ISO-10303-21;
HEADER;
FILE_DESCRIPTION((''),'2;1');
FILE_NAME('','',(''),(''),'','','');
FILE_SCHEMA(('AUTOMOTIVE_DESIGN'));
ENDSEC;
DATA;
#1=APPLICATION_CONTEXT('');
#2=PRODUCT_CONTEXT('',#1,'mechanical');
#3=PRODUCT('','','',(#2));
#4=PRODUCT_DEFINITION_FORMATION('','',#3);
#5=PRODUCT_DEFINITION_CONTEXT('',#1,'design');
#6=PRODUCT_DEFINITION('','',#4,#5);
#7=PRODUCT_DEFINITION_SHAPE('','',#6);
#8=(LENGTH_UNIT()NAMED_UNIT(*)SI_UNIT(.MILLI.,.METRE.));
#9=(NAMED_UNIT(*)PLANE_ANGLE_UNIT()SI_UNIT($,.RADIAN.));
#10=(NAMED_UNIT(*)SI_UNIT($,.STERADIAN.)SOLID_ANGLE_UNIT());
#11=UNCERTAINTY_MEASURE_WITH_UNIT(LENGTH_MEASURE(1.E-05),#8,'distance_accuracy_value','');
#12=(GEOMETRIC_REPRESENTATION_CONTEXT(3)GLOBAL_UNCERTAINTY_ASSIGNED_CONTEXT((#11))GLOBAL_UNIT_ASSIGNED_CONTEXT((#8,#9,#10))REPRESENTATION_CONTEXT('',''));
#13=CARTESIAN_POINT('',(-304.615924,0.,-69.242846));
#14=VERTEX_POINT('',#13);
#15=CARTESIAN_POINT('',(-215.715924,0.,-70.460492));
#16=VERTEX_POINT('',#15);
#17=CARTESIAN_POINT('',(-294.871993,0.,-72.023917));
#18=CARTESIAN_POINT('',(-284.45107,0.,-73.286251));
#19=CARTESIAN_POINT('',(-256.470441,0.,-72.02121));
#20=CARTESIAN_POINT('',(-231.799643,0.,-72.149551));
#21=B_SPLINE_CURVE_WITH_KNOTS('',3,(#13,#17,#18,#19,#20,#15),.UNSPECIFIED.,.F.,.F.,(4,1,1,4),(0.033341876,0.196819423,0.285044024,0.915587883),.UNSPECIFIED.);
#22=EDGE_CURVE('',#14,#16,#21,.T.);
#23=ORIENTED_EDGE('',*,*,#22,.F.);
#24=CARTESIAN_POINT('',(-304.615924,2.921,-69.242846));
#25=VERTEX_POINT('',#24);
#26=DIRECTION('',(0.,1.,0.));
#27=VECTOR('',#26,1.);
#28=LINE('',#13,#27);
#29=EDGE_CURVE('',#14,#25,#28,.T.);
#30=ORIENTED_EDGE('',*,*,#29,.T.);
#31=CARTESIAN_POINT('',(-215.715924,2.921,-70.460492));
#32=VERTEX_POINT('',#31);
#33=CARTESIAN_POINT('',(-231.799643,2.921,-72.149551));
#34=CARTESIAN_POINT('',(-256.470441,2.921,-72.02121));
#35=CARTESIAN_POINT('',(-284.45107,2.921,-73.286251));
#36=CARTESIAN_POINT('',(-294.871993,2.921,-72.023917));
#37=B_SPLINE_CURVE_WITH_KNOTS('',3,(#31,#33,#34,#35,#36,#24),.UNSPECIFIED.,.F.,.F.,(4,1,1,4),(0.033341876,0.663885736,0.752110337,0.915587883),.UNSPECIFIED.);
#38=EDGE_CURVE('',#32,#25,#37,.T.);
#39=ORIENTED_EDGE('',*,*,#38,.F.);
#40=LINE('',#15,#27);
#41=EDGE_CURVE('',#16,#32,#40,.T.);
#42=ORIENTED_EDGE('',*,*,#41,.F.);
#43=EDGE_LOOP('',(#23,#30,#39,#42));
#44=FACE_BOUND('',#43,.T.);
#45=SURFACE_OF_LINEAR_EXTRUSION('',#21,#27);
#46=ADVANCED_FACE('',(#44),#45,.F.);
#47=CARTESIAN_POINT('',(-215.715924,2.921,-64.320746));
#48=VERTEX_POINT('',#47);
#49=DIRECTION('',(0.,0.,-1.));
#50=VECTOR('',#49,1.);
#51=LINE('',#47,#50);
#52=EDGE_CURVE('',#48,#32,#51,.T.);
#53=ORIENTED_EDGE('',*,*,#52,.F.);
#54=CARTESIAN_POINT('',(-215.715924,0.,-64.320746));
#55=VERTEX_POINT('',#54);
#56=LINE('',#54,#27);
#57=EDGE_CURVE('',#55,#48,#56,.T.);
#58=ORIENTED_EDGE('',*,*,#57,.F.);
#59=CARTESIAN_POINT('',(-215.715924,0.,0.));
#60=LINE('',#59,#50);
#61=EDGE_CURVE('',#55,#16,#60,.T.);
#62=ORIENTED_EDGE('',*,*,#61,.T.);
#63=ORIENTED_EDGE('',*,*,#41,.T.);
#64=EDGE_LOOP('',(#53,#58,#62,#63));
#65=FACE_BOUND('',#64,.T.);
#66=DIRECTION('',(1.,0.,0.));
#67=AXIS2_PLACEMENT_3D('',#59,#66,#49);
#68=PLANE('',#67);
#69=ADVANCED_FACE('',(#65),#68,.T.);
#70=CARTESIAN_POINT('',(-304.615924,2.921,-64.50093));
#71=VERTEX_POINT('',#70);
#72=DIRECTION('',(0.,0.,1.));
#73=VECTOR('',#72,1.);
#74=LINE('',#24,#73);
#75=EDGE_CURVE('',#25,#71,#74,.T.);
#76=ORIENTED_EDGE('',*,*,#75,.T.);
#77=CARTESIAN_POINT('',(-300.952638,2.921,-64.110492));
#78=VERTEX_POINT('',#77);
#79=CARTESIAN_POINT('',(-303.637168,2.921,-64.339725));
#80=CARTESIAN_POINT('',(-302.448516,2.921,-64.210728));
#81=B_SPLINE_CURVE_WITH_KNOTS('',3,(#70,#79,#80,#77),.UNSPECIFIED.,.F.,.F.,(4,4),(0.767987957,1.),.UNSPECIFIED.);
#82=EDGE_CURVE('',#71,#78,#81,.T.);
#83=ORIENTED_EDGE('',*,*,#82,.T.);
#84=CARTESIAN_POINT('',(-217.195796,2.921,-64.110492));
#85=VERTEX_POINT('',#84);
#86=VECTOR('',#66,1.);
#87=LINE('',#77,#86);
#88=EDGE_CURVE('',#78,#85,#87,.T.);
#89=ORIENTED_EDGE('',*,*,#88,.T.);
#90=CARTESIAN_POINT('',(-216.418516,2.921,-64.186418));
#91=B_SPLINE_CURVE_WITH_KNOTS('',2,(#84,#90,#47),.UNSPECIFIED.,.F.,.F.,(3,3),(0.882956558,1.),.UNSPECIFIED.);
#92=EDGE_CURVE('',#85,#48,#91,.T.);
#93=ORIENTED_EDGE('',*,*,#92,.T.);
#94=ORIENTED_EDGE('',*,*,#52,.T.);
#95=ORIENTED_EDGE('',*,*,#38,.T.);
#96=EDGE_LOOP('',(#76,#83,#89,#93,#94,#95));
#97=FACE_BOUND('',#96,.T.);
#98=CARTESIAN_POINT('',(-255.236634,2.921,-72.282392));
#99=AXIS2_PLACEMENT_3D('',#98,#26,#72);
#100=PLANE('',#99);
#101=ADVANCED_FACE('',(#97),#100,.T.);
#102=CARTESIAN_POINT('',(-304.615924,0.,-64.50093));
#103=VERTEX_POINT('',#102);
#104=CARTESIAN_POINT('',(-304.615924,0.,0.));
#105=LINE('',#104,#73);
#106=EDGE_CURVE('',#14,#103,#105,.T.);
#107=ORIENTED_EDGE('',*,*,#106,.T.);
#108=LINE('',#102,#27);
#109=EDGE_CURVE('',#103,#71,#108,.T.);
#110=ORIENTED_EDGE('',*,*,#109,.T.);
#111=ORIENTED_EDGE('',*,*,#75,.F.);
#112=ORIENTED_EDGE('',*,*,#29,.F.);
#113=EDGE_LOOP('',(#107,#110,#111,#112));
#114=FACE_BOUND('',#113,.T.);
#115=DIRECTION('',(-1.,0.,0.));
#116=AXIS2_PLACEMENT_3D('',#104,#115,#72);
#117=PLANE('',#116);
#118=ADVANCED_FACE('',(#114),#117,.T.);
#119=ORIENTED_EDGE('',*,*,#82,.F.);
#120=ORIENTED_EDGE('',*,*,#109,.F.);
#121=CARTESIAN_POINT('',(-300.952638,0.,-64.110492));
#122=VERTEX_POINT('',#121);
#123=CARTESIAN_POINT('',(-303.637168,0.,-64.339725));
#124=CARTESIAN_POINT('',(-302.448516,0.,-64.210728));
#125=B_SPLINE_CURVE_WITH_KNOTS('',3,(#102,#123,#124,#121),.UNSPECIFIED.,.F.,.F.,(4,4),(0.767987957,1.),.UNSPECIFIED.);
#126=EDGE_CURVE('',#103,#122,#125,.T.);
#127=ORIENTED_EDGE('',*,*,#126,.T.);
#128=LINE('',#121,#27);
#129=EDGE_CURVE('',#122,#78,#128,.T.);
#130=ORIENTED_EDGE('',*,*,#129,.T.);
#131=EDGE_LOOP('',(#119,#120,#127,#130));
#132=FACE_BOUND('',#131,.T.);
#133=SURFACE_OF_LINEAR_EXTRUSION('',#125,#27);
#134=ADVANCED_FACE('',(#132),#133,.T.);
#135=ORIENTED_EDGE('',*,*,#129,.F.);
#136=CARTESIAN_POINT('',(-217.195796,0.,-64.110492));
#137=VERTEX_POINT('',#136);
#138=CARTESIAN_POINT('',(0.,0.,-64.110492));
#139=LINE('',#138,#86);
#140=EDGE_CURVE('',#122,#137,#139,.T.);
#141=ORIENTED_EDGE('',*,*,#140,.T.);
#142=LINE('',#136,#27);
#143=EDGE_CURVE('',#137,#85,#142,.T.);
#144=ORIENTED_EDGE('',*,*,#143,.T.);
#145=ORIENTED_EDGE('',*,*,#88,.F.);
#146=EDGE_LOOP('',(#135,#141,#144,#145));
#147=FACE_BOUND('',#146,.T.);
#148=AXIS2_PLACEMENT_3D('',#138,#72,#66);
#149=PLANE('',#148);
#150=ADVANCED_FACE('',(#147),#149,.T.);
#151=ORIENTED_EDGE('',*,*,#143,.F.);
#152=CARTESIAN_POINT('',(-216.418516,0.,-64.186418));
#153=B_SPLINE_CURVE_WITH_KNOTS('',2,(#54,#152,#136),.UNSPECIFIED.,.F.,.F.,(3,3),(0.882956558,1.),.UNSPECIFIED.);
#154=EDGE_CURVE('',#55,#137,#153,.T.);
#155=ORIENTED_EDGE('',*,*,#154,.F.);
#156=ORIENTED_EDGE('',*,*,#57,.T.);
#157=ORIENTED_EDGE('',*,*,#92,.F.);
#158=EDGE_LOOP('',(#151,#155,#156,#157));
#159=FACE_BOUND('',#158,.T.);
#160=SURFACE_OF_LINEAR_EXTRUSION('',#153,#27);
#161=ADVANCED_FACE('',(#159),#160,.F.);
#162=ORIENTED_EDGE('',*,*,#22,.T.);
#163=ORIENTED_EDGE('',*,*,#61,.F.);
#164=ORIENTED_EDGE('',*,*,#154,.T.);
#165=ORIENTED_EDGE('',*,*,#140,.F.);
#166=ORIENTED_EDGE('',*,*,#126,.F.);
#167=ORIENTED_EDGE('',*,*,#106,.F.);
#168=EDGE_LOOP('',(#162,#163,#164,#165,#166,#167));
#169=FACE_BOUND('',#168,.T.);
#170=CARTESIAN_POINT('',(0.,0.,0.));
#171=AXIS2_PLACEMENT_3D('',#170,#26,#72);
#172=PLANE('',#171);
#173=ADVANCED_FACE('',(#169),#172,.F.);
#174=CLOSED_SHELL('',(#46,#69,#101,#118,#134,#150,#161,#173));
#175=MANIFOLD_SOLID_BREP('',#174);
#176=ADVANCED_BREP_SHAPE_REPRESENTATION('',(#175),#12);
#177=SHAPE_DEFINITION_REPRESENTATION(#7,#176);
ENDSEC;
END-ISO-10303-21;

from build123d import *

# Parameters (mm, degrees)
SKETCH1_W           = 304.8
SKETCH1_H           = 76.2
BOSS_EXTRUDE1_DEPTH = 3.175
CUT_EXTRUDE3_DEPTH  = 0.254
CUT_EXTRUDE5_DEPTH  = 0.254
SKETCH2_3_OUTSIDE_W = 369.64
SKETCH2_3_OUTSIDE_H = 141.04
CUT_EXTRUDE7_DEPTH  = 315.196691105


with BuildPart() as part:
    # Sketch1 → Boss-Extrude1 (new body)
    with BuildSketch(Plane(origin=(0, 0, 0), x_dir=(1, 0, 0), z_dir=(0, 1, 0))):
        with Locations((-152.4, 38.1)):
            Rectangle(SKETCH1_W, SKETCH1_H)
    extrude(amount=BOSS_EXTRUDE1_DEPTH)

    # Sketch2 → Cut-Extrude3 (cut)
    with BuildSketch(Plane(origin=(0, 3.175, 0), x_dir=(1, 0, 0), z_dir=(0, 1, 0))):
        with BuildLine():
            Line((-304.8, 5.132354223), (-304.8, 0.390438323))
            add(Edge.make_bspline(
                [(-304.8, 0.390438323), (-303.821243343, 0.22923291), (-302.632591032, 0.100235841), (-301.136713645, 0)],
                knots=[0.767987957, 0.767987957, 0.767987957, 0.767987957, 1, 1, 1, 1], degree=3))
            Line((-301.136713645, 0), (-217.379871236, 0))
            add(Edge.make_bspline(
                [(-215.9, 0.210253502), (-216.602591478, 0.075926224), (-217.379871236, 0)],
                knots=[0.882956558, 0.882956558, 0.882956558, 1, 1, 1], degree=2))
            Line((-215.9, 0.210253502), (-215.9, 6.35))
            add(Edge.make_bspline(
                [(-304.8, 5.132354223), (-295.056068779, 7.913424716), (-284.63514545, 9.175759011), (-256.65451685, 7.910717471), (-231.983718042, 8.039058457), (-215.9, 6.35)],
                knots=[0.033341876, 0.033341876, 0.033341876, 0.033341876, 0.196819423, 0.285044024, 0.915587883, 0.915587883, 0.915587883, 0.915587883], degree=3))
        make_face()
        with BuildLine():
            Line((-304.748193138, 14.319973849), (-304.748193138, 9.578057948))
            add(Edge.make_bspline(
                [(-304.748193138, 9.578057948), (-303.76943648, 9.416852535), (-302.58078417, 9.287855466), (-301.084906782, 9.187619625)],
                knots=[0.767987957, 0.767987957, 0.767987957, 0.767987957, 1, 1, 1, 1], degree=3))
            Line((-301.084906782, 9.187619625), (-217.328064374, 9.187619625))
            add(Edge.make_bspline(
                [(-215.848193138, 9.397873128), (-216.550784616, 9.263545849), (-217.328064374, 9.187619625)],
                knots=[0.882956558, 0.882956558, 0.882956558, 1, 1, 1], degree=2))
            Line((-215.848193138, 9.397873128), (-215.848193138, 15.537619625))
            add(Edge.make_bspline(
                [(-304.748193138, 14.319973849), (-295.004261916, 17.101044341), (-284.583338588, 18.363378636), (-256.602709988, 17.098337097), (-231.93191118, 17.226678082), (-215.848193138, 15.537619625)],
                knots=[0.033341876, 0.033341876, 0.033341876, 0.033341876, 0.196819423, 0.285044024, 0.915587883, 0.915587883, 0.915587883, 0.915587883], degree=3))
        make_face()
        with BuildLine():
            Line((-304.77561062, 23.435546339), (-304.77561062, 18.693630439))
            add(Edge.make_bspline(
                [(-304.77561062, 18.693630439), (-303.796853962, 18.532425025), (-302.608201652, 18.403427957), (-301.112324264, 18.303192116)],
                knots=[0.767987957, 0.767987957, 0.767987957, 0.767987957, 1, 1, 1, 1], degree=3))
            Line((-301.112324264, 18.303192116), (-217.355481855, 18.303192116))
            add(Edge.make_bspline(
                [(-215.87561062, 18.513445618), (-216.578202097, 18.37911834), (-217.355481855, 18.303192116)],
                knots=[0.882956558, 0.882956558, 0.882956558, 1, 1, 1], degree=2))
            Line((-215.87561062, 18.513445618), (-215.87561062, 24.653192116))
            add(Edge.make_bspline(
                [(-304.77561062, 23.435546339), (-295.031679398, 26.216616832), (-284.61075607, 27.478951126), (-256.63012747, 26.213909587), (-231.959328661, 26.342250572), (-215.87561062, 24.653192116)],
                knots=[0.033341876, 0.033341876, 0.033341876, 0.033341876, 0.196819423, 0.285044024, 0.915587883, 0.915587883, 0.915587883, 0.915587883], degree=3))
        make_face()
        with BuildLine():
            Line((-304.723803757, 32.623165964), (-304.723803757, 27.881250064))
            add(Edge.make_bspline(
                [(-304.723803757, 27.881250064), (-303.7450471, 27.720044651), (-302.55639479, 27.591047582), (-301.060517402, 27.490811741)],
                knots=[0.767987957, 0.767987957, 0.767987957, 0.767987957, 1, 1, 1, 1], degree=3))
            Line((-301.060517402, 27.490811741), (-217.303674993, 27.490811741))
            add(Edge.make_bspline(
                [(-215.823803757, 27.701065244), (-216.526395235, 27.566737965), (-217.303674993, 27.490811741)],
                knots=[0.882956558, 0.882956558, 0.882956558, 1, 1, 1], degree=2))
            Line((-215.823803757, 27.701065244), (-215.823803757, 33.840811741))
            add(Edge.make_bspline(
                [(-304.723803757, 32.623165964), (-294.979872536, 35.404236457), (-284.558949208, 36.666570752), (-256.578320608, 35.401529213), (-231.907521799, 35.529870198), (-215.823803757, 33.840811741)],
                knots=[0.033341876, 0.033341876, 0.033341876, 0.033341876, 0.196819423, 0.285044024, 0.915587883, 0.915587883, 0.915587883, 0.915587883], degree=3))
        make_face()
        with BuildLine():
            Line((-304.692120731, 41.752034592), (-304.692120731, 37.010118692))
            add(Edge.make_bspline(
                [(-304.692120731, 37.010118692), (-303.713364073, 36.848913278), (-302.524711763, 36.71991621), (-301.028834375, 36.619680369)],
                knots=[0.767987957, 0.767987957, 0.767987957, 0.767987957, 1, 1, 1, 1], degree=3))
            Line((-301.028834375, 36.619680369), (-217.271991966, 36.619680369))
            add(Edge.make_bspline(
                [(-215.792120731, 36.829933871), (-216.494712209, 36.695606593), (-217.271991966, 36.619680369)],
                knots=[0.882956558, 0.882956558, 0.882956558, 1, 1, 1], degree=2))
            Line((-215.792120731, 36.829933871), (-215.792120731, 42.969680369))
            add(Edge.make_bspline(
                [(-304.692120731, 41.752034592), (-294.948189509, 44.533105085), (-284.527266181, 45.795439379), (-256.546637581, 44.53039784), (-231.875838773, 44.658738825), (-215.792120731, 42.969680369)],
                knots=[0.033341876, 0.033341876, 0.033341876, 0.033341876, 0.196819423, 0.285044024, 0.915587883, 0.915587883, 0.915587883, 0.915587883], degree=3))
        make_face()
        with BuildLine():
            Line((-304.640313869, 50.939654217), (-304.640313869, 46.197738317))
            add(Edge.make_bspline(
                [(-304.640313869, 46.197738317), (-303.661557211, 46.036532904), (-302.472904901, 45.907535835), (-300.977027513, 45.807299994)],
                knots=[0.767987957, 0.767987957, 0.767987957, 0.767987957, 1, 1, 1, 1], degree=3))
            Line((-300.977027513, 45.807299994), (-217.220185104, 45.807299994))
            add(Edge.make_bspline(
                [(-215.740313869, 46.017553497), (-216.442905346, 45.883226218), (-217.220185104, 45.807299994)],
                knots=[0.882956558, 0.882956558, 0.882956558, 1, 1, 1], degree=2))
            Line((-215.740313869, 46.017553497), (-215.740313869, 52.157299994))
            add(Edge.make_bspline(
                [(-304.640313869, 50.939654217), (-294.896382647, 53.72072471), (-284.475459319, 54.983059005), (-256.494830719, 53.718017466), (-231.82403191, 53.846358451), (-215.740313869, 52.157299994)],
                knots=[0.033341876, 0.033341876, 0.033341876, 0.033341876, 0.196819423, 0.285044024, 0.915587883, 0.915587883, 0.915587883, 0.915587883], degree=3))
        make_face()
        with BuildLine():
            Line((-304.66773135, 60.055226708), (-304.66773135, 55.313310807))
            add(Edge.make_bspline(
                [(-304.66773135, 55.313310807), (-303.688974693, 55.152105394), (-302.500322383, 55.023108326), (-301.004444995, 54.922872485)],
                knots=[0.767987957, 0.767987957, 0.767987957, 0.767987957, 1, 1, 1, 1], degree=3))
            Line((-301.004444995, 54.922872485), (-217.247602586, 54.922872485))
            add(Edge.make_bspline(
                [(-215.76773135, 55.133125987), (-216.470322828, 54.998798708), (-217.247602586, 54.922872485)],
                knots=[0.882956558, 0.882956558, 0.882956558, 1, 1, 1], degree=2))
            Line((-215.76773135, 55.133125987), (-215.76773135, 61.272872485))
            add(Edge.make_bspline(
                [(-304.66773135, 60.055226708), (-294.923800129, 62.836297201), (-284.502876801, 64.098631495), (-256.522248201, 62.833589956), (-231.851449392, 62.961930941), (-215.76773135, 61.272872485)],
                knots=[0.033341876, 0.033341876, 0.033341876, 0.033341876, 0.196819423, 0.285044024, 0.915587883, 0.915587883, 0.915587883, 0.915587883], degree=3))
        make_face()
        with BuildLine():
            Line((-304.615924488, 69.242846333), (-304.615924488, 64.500930433))
            add(Edge.make_bspline(
                [(-304.615924488, 64.500930433), (-303.637167831, 64.33972502), (-302.448515521, 64.210727951), (-300.952638133, 64.11049211)],
                knots=[0.767987957, 0.767987957, 0.767987957, 0.767987957, 1, 1, 1, 1], degree=3))
            Line((-300.952638133, 64.11049211), (-217.195795724, 64.11049211))
            add(Edge.make_bspline(
                [(-215.715924488, 64.320745612), (-216.418515966, 64.186418334), (-217.195795724, 64.11049211)],
                knots=[0.882956558, 0.882956558, 0.882956558, 1, 1, 1], degree=2))
            Line((-215.715924488, 64.320745612), (-215.715924488, 70.46049211))
            add(Edge.make_bspline(
                [(-304.615924488, 69.242846333), (-294.871993267, 72.023916826), (-284.451069938, 73.286251121), (-256.470441339, 72.021209581), (-231.79964253, 72.149550567), (-215.715924488, 70.46049211)],
                knots=[0.033341876, 0.033341876, 0.033341876, 0.033341876, 0.196819423, 0.285044024, 0.915587883, 0.915587883, 0.915587883, 0.915587883], degree=3))
        make_face()
        with BuildLine():
            Line((-215.183865707, 5.315478387), (-215.183865707, 0.573562486))
            add(Edge.make_bspline(
                [(-215.183865707, 0.573562486), (-214.20510905, 0.412357073), (-213.01645674, 0.283360005), (-211.520579352, 0.183124164)],
                knots=[0.767987957, 0.767987957, 0.767987957, 0.767987957, 1, 1, 1, 1], degree=3))
            Line((-211.520579352, 0.183124164), (-127.763736943, 0.183124164))
            add(Edge.make_bspline(
                [(-126.283865707, 0.393377666), (-126.986457185, 0.259050387), (-127.763736943, 0.183124164)],
                knots=[0.882956558, 0.882956558, 0.882956558, 1, 1, 1], degree=2))
            Line((-126.283865707, 0.393377666), (-126.283865707, 6.533124164))
            add(Edge.make_bspline(
                [(-215.183865707, 5.315478387), (-205.439934486, 8.09654888), (-195.019011157, 9.358883174), (-167.038382558, 8.093841635), (-142.367583749, 8.22218262), (-126.283865707, 6.533124164)],
                knots=[0.033341876, 0.033341876, 0.033341876, 0.033341876, 0.196819423, 0.285044024, 0.915587883, 0.915587883, 0.915587883, 0.915587883], degree=3))
        make_face()
        with BuildLine():
            Line((-215.132058845, 14.503098012), (-215.132058845, 9.761182112))
            add(Edge.make_bspline(
                [(-215.132058845, 9.761182112), (-214.153302188, 9.599976698), (-212.964649877, 9.47097963), (-211.46877249, 9.370743789)],
                knots=[0.767987957, 0.767987957, 0.767987957, 0.767987957, 1, 1, 1, 1], degree=3))
            Line((-211.46877249, 9.370743789), (-127.711930081, 9.370743789))
            add(Edge.make_bspline(
                [(-126.232058845, 9.580997291), (-126.934650323, 9.446670013), (-127.711930081, 9.370743789)],
                knots=[0.882956558, 0.882956558, 0.882956558, 1, 1, 1], degree=2))
            Line((-126.232058845, 9.580997291), (-126.232058845, 15.720743789))
            add(Edge.make_bspline(
                [(-215.132058845, 14.503098012), (-205.388127624, 17.284168505), (-194.967204295, 18.546502799), (-166.986575695, 17.28146126), (-142.315776887, 17.409802246), (-126.232058845, 15.720743789)],
                knots=[0.033341876, 0.033341876, 0.033341876, 0.033341876, 0.196819423, 0.285044024, 0.915587883, 0.915587883, 0.915587883, 0.915587883], degree=3))
        make_face()
        with BuildLine():
            Line((-215.159476327, 23.618670503), (-215.159476327, 18.876754602))
            add(Edge.make_bspline(
                [(-215.159476327, 18.876754602), (-214.180719669, 18.715549189), (-212.992067359, 18.58655212), (-211.496189971, 18.486316279)],
                knots=[0.767987957, 0.767987957, 0.767987957, 0.767987957, 1, 1, 1, 1], degree=3))
            Line((-211.496189971, 18.486316279), (-127.739347562, 18.486316279))
            add(Edge.make_bspline(
                [(-126.259476327, 18.696569782), (-126.962067804, 18.562242503), (-127.739347562, 18.486316279)],
                knots=[0.882956558, 0.882956558, 0.882956558, 1, 1, 1], degree=2))
            Line((-126.259476327, 18.696569782), (-126.259476327, 24.836316279))
            add(Edge.make_bspline(
                [(-215.159476327, 23.618670503), (-205.415545105, 26.399740996), (-194.994621777, 27.66207529), (-167.013993177, 26.397033751), (-142.343194369, 26.525374736), (-126.259476327, 24.836316279)],
                knots=[0.033341876, 0.033341876, 0.033341876, 0.033341876, 0.196819423, 0.285044024, 0.915587883, 0.915587883, 0.915587883, 0.915587883], degree=3))
        make_face()
        with BuildLine():
            Line((-215.107669465, 32.806290128), (-215.107669465, 28.064374228))
            add(Edge.make_bspline(
                [(-215.107669465, 28.064374228), (-214.128912807, 27.903168814), (-212.940260497, 27.774171746), (-211.444383109, 27.673935905)],
                knots=[0.767987957, 0.767987957, 0.767987957, 0.767987957, 1, 1, 1, 1], degree=3))
            Line((-211.444383109, 27.673935905), (-127.6875407, 27.673935905))
            add(Edge.make_bspline(
                [(-126.207669465, 27.884189407), (-126.910260942, 27.749862129), (-127.6875407, 27.673935905)],
                knots=[0.882956558, 0.882956558, 0.882956558, 1, 1, 1], degree=2))
            Line((-126.207669465, 27.884189407), (-126.207669465, 34.023935905))
            add(Edge.make_bspline(
                [(-215.107669465, 32.806290128), (-205.363738243, 35.587360621), (-194.942814915, 36.849694915), (-166.962186315, 35.584653376), (-142.291387506, 35.712994361), (-126.207669465, 34.023935905)],
                knots=[0.033341876, 0.033341876, 0.033341876, 0.033341876, 0.196819423, 0.285044024, 0.915587883, 0.915587883, 0.915587883, 0.915587883], degree=3))
        make_face()
    extrude(amount=-CUT_EXTRUDE3_DEPTH, mode=Mode.SUBTRACT)

    # Sketch3 → Cut-Extrude5 (cut)
    with BuildSketch(Plane(origin=(0, 3.175, 0), x_dir=(1, 0, 0), z_dir=(0, 1, 0))):
        with BuildLine():
            Line((-124.773731724, 0), (-73.973731724, 0))
            Line((-73.973731724, 0), (-73.973731724, 5.715))
            add(Edge.make_bspline(
                [(-124.773731724, 5.588), (-99.390849234, 12.627627449), (-73.973731724, 5.715)],
                knots=[0, 0, 0, 1, 1, 1], degree=2))
            Line((-124.773731724, 5.588), (-124.773731724, 0))
        make_face()
        with BuildLine():
            Line((-124.666073477, 9.555243731), (-73.866073477, 9.555243731))
            Line((-73.866073477, 9.555243731), (-73.866073477, 15.270243731))
            add(Edge.make_bspline(
                [(-124.666073477, 15.143243731), (-99.282006864, 21.683704535), (-73.866073477, 15.270243731)],
                knots=[0, 0, 0, 1, 1, 1], degree=2))
            Line((-124.666073477, 15.143243731), (-124.666073477, 9.555243731))
        make_face()
        with BuildLine():
            Line((-124.604715686, 19.129476511), (-73.804715686, 19.129476511))
            Line((-73.804715686, 19.129476511), (-73.804715686, 24.844476511))
            add(Edge.make_bspline(
                [(-124.604715686, 24.717476511), (-99.220649073, 31.257937315), (-73.804715686, 24.844476511)],
                knots=[0, 0, 0, 1, 1, 1], degree=2))
            Line((-124.604715686, 24.717476511), (-124.604715686, 19.129476511))
        make_face()
        with BuildLine():
            Line((-124.495240807, 28.763265862), (-73.695240807, 28.763265862))
            Line((-73.695240807, 28.763265862), (-73.695240807, 34.478265862))
            add(Edge.make_bspline(
                [(-124.495240807, 34.351265862), (-99.111174194, 40.891726665), (-73.695240807, 34.478265862)],
                knots=[0, 0, 0, 1, 1, 1], degree=2))
            Line((-124.495240807, 34.351265862), (-124.495240807, 28.763265862))
        make_face()
        with BuildLine():
            Line((-124.385765928, 38.397055212), (-73.585765928, 38.397055212))
            Line((-73.585765928, 38.397055212), (-73.585765928, 44.112055212))
            add(Edge.make_bspline(
                [(-124.385765928, 43.985055212), (-99.001699315, 50.525516016), (-73.585765928, 44.112055212)],
                knots=[0, 0, 0, 1, 1, 1], degree=2))
            Line((-124.385765928, 43.985055212), (-124.385765928, 38.397055212))
        make_face()
        with BuildLine():
            Line((-124.166816171, 49.235068231), (-73.366816171, 49.235068231))
            Line((-73.366816171, 49.235068231), (-73.366816171, 54.950068231))
            add(Edge.make_bspline(
                [(-124.166816171, 54.823068231), (-98.782749557, 61.363529035), (-73.366816171, 54.950068231)],
                knots=[0, 0, 0, 1, 1, 1], degree=2))
            Line((-124.166816171, 54.823068231), (-124.166816171, 49.235068231))
        make_face()
        with BuildLine():
            Line((-124.138868232, 59.013713621), (-73.338868232, 59.013713621))
            Line((-73.338868232, 59.013713621), (-73.338868232, 64.728713621))
            add(Edge.make_bspline(
                [(-124.138868232, 64.601713621), (-98.754801619, 71.142174425), (-73.338868232, 64.728713621)],
                knots=[0, 0, 0, 1, 1, 1], degree=2))
            Line((-124.138868232, 64.601713621), (-124.138868232, 59.013713621))
        make_face()
        with BuildLine():
            Line((-213.669393762, 38.449060159), (-162.869393762, 38.449060159))
            Line((-162.869393762, 38.449060159), (-162.869393762, 44.164060159))
            add(Edge.make_bspline(
                [(-213.669393762, 44.037060159), (-188.285327148, 50.577520962), (-162.869393762, 44.164060159)],
                knots=[0, 0, 0, 1, 1, 1], degree=2))
            Line((-213.669393762, 44.037060159), (-213.669393762, 38.449060159))
        make_face()
        with BuildLine():
            Line((-213.513008565, 49.239638781), (-162.713008565, 49.239638781))
            Line((-162.713008565, 49.239638781), (-162.713008565, 54.954638781))
            add(Edge.make_bspline(
                [(-213.513008565, 54.827638781), (-188.128941951, 61.368099585), (-162.713008565, 54.954638781)],
                knots=[0, 0, 0, 1, 1, 1], degree=2))
            Line((-213.513008565, 54.827638781), (-213.513008565, 49.239638781))
        make_face()
        with BuildLine():
            Line((-213.20023817, 60.030217404), (-162.40023817, 60.030217404))
            Line((-162.40023817, 60.030217404), (-162.40023817, 65.745217404))
            add(Edge.make_bspline(
                [(-213.20023817, 65.618217404), (-187.816171556, 72.158678208), (-162.40023817, 65.745217404)],
                knots=[0, 0, 0, 1, 1, 1], degree=2))
            Line((-213.20023817, 65.618217404), (-213.20023817, 60.030217404))
        make_face()
        Polygon((0, 76.2), (-31.75, 76.2), (-63.5, 0), (0, 0), align=None)
    extrude(amount=-CUT_EXTRUDE5_DEPTH, mode=Mode.SUBTRACT)

    # Sketch2<3> outside → Cut-Extrude7 (cut, through all)
    with BuildSketch(Plane(origin=(0, 3.175, 0), x_dir=(1, 0, 0), z_dir=(0, 1, 0))):
        with Locations((-152.4, 38.1)):
            Rectangle(SKETCH2_3_OUTSIDE_W, SKETCH2_3_OUTSIDE_H)
        with BuildLine():
            add(Edge.make_bspline(
                [(-304.615924488, 69.242846333), (-294.871993267, 72.023916826), (-284.451069938, 73.286251121), (-256.470441339, 72.021209581), (-231.79964253, 72.149550567), (-215.715924488, 70.46049211)],
                knots=[0.033341876, 0.033341876, 0.033341876, 0.033341876, 0.196819423, 0.285044024, 0.915587883, 0.915587883, 0.915587883, 0.915587883], degree=3))
            Line((-304.615924488, 69.242846333), (-304.615924488, 64.500930433))
            add(Edge.make_bspline(
                [(-304.615924488, 64.500930433), (-303.637167831, 64.33972502), (-302.448515521, 64.210727951), (-300.952638133, 64.11049211)],
                knots=[0.767987957, 0.767987957, 0.767987957, 0.767987957, 1, 1, 1, 1], degree=3))
            Line((-300.952638133, 64.11049211), (-217.195795724, 64.11049211))
            add(Edge.make_bspline(
                [(-215.715924488, 64.320745612), (-216.418515966, 64.186418334), (-217.195795724, 64.11049211)],
                knots=[0.882956558, 0.882956558, 0.882956558, 1, 1, 1], degree=2))
            Line((-215.715924488, 64.320745612), (-215.715924488, 70.46049211))
        make_face(mode=Mode.SUBTRACT)
    extrude(amount=-CUT_EXTRUDE7_DEPTH, mode=Mode.SUBTRACT)


solid = part.part
